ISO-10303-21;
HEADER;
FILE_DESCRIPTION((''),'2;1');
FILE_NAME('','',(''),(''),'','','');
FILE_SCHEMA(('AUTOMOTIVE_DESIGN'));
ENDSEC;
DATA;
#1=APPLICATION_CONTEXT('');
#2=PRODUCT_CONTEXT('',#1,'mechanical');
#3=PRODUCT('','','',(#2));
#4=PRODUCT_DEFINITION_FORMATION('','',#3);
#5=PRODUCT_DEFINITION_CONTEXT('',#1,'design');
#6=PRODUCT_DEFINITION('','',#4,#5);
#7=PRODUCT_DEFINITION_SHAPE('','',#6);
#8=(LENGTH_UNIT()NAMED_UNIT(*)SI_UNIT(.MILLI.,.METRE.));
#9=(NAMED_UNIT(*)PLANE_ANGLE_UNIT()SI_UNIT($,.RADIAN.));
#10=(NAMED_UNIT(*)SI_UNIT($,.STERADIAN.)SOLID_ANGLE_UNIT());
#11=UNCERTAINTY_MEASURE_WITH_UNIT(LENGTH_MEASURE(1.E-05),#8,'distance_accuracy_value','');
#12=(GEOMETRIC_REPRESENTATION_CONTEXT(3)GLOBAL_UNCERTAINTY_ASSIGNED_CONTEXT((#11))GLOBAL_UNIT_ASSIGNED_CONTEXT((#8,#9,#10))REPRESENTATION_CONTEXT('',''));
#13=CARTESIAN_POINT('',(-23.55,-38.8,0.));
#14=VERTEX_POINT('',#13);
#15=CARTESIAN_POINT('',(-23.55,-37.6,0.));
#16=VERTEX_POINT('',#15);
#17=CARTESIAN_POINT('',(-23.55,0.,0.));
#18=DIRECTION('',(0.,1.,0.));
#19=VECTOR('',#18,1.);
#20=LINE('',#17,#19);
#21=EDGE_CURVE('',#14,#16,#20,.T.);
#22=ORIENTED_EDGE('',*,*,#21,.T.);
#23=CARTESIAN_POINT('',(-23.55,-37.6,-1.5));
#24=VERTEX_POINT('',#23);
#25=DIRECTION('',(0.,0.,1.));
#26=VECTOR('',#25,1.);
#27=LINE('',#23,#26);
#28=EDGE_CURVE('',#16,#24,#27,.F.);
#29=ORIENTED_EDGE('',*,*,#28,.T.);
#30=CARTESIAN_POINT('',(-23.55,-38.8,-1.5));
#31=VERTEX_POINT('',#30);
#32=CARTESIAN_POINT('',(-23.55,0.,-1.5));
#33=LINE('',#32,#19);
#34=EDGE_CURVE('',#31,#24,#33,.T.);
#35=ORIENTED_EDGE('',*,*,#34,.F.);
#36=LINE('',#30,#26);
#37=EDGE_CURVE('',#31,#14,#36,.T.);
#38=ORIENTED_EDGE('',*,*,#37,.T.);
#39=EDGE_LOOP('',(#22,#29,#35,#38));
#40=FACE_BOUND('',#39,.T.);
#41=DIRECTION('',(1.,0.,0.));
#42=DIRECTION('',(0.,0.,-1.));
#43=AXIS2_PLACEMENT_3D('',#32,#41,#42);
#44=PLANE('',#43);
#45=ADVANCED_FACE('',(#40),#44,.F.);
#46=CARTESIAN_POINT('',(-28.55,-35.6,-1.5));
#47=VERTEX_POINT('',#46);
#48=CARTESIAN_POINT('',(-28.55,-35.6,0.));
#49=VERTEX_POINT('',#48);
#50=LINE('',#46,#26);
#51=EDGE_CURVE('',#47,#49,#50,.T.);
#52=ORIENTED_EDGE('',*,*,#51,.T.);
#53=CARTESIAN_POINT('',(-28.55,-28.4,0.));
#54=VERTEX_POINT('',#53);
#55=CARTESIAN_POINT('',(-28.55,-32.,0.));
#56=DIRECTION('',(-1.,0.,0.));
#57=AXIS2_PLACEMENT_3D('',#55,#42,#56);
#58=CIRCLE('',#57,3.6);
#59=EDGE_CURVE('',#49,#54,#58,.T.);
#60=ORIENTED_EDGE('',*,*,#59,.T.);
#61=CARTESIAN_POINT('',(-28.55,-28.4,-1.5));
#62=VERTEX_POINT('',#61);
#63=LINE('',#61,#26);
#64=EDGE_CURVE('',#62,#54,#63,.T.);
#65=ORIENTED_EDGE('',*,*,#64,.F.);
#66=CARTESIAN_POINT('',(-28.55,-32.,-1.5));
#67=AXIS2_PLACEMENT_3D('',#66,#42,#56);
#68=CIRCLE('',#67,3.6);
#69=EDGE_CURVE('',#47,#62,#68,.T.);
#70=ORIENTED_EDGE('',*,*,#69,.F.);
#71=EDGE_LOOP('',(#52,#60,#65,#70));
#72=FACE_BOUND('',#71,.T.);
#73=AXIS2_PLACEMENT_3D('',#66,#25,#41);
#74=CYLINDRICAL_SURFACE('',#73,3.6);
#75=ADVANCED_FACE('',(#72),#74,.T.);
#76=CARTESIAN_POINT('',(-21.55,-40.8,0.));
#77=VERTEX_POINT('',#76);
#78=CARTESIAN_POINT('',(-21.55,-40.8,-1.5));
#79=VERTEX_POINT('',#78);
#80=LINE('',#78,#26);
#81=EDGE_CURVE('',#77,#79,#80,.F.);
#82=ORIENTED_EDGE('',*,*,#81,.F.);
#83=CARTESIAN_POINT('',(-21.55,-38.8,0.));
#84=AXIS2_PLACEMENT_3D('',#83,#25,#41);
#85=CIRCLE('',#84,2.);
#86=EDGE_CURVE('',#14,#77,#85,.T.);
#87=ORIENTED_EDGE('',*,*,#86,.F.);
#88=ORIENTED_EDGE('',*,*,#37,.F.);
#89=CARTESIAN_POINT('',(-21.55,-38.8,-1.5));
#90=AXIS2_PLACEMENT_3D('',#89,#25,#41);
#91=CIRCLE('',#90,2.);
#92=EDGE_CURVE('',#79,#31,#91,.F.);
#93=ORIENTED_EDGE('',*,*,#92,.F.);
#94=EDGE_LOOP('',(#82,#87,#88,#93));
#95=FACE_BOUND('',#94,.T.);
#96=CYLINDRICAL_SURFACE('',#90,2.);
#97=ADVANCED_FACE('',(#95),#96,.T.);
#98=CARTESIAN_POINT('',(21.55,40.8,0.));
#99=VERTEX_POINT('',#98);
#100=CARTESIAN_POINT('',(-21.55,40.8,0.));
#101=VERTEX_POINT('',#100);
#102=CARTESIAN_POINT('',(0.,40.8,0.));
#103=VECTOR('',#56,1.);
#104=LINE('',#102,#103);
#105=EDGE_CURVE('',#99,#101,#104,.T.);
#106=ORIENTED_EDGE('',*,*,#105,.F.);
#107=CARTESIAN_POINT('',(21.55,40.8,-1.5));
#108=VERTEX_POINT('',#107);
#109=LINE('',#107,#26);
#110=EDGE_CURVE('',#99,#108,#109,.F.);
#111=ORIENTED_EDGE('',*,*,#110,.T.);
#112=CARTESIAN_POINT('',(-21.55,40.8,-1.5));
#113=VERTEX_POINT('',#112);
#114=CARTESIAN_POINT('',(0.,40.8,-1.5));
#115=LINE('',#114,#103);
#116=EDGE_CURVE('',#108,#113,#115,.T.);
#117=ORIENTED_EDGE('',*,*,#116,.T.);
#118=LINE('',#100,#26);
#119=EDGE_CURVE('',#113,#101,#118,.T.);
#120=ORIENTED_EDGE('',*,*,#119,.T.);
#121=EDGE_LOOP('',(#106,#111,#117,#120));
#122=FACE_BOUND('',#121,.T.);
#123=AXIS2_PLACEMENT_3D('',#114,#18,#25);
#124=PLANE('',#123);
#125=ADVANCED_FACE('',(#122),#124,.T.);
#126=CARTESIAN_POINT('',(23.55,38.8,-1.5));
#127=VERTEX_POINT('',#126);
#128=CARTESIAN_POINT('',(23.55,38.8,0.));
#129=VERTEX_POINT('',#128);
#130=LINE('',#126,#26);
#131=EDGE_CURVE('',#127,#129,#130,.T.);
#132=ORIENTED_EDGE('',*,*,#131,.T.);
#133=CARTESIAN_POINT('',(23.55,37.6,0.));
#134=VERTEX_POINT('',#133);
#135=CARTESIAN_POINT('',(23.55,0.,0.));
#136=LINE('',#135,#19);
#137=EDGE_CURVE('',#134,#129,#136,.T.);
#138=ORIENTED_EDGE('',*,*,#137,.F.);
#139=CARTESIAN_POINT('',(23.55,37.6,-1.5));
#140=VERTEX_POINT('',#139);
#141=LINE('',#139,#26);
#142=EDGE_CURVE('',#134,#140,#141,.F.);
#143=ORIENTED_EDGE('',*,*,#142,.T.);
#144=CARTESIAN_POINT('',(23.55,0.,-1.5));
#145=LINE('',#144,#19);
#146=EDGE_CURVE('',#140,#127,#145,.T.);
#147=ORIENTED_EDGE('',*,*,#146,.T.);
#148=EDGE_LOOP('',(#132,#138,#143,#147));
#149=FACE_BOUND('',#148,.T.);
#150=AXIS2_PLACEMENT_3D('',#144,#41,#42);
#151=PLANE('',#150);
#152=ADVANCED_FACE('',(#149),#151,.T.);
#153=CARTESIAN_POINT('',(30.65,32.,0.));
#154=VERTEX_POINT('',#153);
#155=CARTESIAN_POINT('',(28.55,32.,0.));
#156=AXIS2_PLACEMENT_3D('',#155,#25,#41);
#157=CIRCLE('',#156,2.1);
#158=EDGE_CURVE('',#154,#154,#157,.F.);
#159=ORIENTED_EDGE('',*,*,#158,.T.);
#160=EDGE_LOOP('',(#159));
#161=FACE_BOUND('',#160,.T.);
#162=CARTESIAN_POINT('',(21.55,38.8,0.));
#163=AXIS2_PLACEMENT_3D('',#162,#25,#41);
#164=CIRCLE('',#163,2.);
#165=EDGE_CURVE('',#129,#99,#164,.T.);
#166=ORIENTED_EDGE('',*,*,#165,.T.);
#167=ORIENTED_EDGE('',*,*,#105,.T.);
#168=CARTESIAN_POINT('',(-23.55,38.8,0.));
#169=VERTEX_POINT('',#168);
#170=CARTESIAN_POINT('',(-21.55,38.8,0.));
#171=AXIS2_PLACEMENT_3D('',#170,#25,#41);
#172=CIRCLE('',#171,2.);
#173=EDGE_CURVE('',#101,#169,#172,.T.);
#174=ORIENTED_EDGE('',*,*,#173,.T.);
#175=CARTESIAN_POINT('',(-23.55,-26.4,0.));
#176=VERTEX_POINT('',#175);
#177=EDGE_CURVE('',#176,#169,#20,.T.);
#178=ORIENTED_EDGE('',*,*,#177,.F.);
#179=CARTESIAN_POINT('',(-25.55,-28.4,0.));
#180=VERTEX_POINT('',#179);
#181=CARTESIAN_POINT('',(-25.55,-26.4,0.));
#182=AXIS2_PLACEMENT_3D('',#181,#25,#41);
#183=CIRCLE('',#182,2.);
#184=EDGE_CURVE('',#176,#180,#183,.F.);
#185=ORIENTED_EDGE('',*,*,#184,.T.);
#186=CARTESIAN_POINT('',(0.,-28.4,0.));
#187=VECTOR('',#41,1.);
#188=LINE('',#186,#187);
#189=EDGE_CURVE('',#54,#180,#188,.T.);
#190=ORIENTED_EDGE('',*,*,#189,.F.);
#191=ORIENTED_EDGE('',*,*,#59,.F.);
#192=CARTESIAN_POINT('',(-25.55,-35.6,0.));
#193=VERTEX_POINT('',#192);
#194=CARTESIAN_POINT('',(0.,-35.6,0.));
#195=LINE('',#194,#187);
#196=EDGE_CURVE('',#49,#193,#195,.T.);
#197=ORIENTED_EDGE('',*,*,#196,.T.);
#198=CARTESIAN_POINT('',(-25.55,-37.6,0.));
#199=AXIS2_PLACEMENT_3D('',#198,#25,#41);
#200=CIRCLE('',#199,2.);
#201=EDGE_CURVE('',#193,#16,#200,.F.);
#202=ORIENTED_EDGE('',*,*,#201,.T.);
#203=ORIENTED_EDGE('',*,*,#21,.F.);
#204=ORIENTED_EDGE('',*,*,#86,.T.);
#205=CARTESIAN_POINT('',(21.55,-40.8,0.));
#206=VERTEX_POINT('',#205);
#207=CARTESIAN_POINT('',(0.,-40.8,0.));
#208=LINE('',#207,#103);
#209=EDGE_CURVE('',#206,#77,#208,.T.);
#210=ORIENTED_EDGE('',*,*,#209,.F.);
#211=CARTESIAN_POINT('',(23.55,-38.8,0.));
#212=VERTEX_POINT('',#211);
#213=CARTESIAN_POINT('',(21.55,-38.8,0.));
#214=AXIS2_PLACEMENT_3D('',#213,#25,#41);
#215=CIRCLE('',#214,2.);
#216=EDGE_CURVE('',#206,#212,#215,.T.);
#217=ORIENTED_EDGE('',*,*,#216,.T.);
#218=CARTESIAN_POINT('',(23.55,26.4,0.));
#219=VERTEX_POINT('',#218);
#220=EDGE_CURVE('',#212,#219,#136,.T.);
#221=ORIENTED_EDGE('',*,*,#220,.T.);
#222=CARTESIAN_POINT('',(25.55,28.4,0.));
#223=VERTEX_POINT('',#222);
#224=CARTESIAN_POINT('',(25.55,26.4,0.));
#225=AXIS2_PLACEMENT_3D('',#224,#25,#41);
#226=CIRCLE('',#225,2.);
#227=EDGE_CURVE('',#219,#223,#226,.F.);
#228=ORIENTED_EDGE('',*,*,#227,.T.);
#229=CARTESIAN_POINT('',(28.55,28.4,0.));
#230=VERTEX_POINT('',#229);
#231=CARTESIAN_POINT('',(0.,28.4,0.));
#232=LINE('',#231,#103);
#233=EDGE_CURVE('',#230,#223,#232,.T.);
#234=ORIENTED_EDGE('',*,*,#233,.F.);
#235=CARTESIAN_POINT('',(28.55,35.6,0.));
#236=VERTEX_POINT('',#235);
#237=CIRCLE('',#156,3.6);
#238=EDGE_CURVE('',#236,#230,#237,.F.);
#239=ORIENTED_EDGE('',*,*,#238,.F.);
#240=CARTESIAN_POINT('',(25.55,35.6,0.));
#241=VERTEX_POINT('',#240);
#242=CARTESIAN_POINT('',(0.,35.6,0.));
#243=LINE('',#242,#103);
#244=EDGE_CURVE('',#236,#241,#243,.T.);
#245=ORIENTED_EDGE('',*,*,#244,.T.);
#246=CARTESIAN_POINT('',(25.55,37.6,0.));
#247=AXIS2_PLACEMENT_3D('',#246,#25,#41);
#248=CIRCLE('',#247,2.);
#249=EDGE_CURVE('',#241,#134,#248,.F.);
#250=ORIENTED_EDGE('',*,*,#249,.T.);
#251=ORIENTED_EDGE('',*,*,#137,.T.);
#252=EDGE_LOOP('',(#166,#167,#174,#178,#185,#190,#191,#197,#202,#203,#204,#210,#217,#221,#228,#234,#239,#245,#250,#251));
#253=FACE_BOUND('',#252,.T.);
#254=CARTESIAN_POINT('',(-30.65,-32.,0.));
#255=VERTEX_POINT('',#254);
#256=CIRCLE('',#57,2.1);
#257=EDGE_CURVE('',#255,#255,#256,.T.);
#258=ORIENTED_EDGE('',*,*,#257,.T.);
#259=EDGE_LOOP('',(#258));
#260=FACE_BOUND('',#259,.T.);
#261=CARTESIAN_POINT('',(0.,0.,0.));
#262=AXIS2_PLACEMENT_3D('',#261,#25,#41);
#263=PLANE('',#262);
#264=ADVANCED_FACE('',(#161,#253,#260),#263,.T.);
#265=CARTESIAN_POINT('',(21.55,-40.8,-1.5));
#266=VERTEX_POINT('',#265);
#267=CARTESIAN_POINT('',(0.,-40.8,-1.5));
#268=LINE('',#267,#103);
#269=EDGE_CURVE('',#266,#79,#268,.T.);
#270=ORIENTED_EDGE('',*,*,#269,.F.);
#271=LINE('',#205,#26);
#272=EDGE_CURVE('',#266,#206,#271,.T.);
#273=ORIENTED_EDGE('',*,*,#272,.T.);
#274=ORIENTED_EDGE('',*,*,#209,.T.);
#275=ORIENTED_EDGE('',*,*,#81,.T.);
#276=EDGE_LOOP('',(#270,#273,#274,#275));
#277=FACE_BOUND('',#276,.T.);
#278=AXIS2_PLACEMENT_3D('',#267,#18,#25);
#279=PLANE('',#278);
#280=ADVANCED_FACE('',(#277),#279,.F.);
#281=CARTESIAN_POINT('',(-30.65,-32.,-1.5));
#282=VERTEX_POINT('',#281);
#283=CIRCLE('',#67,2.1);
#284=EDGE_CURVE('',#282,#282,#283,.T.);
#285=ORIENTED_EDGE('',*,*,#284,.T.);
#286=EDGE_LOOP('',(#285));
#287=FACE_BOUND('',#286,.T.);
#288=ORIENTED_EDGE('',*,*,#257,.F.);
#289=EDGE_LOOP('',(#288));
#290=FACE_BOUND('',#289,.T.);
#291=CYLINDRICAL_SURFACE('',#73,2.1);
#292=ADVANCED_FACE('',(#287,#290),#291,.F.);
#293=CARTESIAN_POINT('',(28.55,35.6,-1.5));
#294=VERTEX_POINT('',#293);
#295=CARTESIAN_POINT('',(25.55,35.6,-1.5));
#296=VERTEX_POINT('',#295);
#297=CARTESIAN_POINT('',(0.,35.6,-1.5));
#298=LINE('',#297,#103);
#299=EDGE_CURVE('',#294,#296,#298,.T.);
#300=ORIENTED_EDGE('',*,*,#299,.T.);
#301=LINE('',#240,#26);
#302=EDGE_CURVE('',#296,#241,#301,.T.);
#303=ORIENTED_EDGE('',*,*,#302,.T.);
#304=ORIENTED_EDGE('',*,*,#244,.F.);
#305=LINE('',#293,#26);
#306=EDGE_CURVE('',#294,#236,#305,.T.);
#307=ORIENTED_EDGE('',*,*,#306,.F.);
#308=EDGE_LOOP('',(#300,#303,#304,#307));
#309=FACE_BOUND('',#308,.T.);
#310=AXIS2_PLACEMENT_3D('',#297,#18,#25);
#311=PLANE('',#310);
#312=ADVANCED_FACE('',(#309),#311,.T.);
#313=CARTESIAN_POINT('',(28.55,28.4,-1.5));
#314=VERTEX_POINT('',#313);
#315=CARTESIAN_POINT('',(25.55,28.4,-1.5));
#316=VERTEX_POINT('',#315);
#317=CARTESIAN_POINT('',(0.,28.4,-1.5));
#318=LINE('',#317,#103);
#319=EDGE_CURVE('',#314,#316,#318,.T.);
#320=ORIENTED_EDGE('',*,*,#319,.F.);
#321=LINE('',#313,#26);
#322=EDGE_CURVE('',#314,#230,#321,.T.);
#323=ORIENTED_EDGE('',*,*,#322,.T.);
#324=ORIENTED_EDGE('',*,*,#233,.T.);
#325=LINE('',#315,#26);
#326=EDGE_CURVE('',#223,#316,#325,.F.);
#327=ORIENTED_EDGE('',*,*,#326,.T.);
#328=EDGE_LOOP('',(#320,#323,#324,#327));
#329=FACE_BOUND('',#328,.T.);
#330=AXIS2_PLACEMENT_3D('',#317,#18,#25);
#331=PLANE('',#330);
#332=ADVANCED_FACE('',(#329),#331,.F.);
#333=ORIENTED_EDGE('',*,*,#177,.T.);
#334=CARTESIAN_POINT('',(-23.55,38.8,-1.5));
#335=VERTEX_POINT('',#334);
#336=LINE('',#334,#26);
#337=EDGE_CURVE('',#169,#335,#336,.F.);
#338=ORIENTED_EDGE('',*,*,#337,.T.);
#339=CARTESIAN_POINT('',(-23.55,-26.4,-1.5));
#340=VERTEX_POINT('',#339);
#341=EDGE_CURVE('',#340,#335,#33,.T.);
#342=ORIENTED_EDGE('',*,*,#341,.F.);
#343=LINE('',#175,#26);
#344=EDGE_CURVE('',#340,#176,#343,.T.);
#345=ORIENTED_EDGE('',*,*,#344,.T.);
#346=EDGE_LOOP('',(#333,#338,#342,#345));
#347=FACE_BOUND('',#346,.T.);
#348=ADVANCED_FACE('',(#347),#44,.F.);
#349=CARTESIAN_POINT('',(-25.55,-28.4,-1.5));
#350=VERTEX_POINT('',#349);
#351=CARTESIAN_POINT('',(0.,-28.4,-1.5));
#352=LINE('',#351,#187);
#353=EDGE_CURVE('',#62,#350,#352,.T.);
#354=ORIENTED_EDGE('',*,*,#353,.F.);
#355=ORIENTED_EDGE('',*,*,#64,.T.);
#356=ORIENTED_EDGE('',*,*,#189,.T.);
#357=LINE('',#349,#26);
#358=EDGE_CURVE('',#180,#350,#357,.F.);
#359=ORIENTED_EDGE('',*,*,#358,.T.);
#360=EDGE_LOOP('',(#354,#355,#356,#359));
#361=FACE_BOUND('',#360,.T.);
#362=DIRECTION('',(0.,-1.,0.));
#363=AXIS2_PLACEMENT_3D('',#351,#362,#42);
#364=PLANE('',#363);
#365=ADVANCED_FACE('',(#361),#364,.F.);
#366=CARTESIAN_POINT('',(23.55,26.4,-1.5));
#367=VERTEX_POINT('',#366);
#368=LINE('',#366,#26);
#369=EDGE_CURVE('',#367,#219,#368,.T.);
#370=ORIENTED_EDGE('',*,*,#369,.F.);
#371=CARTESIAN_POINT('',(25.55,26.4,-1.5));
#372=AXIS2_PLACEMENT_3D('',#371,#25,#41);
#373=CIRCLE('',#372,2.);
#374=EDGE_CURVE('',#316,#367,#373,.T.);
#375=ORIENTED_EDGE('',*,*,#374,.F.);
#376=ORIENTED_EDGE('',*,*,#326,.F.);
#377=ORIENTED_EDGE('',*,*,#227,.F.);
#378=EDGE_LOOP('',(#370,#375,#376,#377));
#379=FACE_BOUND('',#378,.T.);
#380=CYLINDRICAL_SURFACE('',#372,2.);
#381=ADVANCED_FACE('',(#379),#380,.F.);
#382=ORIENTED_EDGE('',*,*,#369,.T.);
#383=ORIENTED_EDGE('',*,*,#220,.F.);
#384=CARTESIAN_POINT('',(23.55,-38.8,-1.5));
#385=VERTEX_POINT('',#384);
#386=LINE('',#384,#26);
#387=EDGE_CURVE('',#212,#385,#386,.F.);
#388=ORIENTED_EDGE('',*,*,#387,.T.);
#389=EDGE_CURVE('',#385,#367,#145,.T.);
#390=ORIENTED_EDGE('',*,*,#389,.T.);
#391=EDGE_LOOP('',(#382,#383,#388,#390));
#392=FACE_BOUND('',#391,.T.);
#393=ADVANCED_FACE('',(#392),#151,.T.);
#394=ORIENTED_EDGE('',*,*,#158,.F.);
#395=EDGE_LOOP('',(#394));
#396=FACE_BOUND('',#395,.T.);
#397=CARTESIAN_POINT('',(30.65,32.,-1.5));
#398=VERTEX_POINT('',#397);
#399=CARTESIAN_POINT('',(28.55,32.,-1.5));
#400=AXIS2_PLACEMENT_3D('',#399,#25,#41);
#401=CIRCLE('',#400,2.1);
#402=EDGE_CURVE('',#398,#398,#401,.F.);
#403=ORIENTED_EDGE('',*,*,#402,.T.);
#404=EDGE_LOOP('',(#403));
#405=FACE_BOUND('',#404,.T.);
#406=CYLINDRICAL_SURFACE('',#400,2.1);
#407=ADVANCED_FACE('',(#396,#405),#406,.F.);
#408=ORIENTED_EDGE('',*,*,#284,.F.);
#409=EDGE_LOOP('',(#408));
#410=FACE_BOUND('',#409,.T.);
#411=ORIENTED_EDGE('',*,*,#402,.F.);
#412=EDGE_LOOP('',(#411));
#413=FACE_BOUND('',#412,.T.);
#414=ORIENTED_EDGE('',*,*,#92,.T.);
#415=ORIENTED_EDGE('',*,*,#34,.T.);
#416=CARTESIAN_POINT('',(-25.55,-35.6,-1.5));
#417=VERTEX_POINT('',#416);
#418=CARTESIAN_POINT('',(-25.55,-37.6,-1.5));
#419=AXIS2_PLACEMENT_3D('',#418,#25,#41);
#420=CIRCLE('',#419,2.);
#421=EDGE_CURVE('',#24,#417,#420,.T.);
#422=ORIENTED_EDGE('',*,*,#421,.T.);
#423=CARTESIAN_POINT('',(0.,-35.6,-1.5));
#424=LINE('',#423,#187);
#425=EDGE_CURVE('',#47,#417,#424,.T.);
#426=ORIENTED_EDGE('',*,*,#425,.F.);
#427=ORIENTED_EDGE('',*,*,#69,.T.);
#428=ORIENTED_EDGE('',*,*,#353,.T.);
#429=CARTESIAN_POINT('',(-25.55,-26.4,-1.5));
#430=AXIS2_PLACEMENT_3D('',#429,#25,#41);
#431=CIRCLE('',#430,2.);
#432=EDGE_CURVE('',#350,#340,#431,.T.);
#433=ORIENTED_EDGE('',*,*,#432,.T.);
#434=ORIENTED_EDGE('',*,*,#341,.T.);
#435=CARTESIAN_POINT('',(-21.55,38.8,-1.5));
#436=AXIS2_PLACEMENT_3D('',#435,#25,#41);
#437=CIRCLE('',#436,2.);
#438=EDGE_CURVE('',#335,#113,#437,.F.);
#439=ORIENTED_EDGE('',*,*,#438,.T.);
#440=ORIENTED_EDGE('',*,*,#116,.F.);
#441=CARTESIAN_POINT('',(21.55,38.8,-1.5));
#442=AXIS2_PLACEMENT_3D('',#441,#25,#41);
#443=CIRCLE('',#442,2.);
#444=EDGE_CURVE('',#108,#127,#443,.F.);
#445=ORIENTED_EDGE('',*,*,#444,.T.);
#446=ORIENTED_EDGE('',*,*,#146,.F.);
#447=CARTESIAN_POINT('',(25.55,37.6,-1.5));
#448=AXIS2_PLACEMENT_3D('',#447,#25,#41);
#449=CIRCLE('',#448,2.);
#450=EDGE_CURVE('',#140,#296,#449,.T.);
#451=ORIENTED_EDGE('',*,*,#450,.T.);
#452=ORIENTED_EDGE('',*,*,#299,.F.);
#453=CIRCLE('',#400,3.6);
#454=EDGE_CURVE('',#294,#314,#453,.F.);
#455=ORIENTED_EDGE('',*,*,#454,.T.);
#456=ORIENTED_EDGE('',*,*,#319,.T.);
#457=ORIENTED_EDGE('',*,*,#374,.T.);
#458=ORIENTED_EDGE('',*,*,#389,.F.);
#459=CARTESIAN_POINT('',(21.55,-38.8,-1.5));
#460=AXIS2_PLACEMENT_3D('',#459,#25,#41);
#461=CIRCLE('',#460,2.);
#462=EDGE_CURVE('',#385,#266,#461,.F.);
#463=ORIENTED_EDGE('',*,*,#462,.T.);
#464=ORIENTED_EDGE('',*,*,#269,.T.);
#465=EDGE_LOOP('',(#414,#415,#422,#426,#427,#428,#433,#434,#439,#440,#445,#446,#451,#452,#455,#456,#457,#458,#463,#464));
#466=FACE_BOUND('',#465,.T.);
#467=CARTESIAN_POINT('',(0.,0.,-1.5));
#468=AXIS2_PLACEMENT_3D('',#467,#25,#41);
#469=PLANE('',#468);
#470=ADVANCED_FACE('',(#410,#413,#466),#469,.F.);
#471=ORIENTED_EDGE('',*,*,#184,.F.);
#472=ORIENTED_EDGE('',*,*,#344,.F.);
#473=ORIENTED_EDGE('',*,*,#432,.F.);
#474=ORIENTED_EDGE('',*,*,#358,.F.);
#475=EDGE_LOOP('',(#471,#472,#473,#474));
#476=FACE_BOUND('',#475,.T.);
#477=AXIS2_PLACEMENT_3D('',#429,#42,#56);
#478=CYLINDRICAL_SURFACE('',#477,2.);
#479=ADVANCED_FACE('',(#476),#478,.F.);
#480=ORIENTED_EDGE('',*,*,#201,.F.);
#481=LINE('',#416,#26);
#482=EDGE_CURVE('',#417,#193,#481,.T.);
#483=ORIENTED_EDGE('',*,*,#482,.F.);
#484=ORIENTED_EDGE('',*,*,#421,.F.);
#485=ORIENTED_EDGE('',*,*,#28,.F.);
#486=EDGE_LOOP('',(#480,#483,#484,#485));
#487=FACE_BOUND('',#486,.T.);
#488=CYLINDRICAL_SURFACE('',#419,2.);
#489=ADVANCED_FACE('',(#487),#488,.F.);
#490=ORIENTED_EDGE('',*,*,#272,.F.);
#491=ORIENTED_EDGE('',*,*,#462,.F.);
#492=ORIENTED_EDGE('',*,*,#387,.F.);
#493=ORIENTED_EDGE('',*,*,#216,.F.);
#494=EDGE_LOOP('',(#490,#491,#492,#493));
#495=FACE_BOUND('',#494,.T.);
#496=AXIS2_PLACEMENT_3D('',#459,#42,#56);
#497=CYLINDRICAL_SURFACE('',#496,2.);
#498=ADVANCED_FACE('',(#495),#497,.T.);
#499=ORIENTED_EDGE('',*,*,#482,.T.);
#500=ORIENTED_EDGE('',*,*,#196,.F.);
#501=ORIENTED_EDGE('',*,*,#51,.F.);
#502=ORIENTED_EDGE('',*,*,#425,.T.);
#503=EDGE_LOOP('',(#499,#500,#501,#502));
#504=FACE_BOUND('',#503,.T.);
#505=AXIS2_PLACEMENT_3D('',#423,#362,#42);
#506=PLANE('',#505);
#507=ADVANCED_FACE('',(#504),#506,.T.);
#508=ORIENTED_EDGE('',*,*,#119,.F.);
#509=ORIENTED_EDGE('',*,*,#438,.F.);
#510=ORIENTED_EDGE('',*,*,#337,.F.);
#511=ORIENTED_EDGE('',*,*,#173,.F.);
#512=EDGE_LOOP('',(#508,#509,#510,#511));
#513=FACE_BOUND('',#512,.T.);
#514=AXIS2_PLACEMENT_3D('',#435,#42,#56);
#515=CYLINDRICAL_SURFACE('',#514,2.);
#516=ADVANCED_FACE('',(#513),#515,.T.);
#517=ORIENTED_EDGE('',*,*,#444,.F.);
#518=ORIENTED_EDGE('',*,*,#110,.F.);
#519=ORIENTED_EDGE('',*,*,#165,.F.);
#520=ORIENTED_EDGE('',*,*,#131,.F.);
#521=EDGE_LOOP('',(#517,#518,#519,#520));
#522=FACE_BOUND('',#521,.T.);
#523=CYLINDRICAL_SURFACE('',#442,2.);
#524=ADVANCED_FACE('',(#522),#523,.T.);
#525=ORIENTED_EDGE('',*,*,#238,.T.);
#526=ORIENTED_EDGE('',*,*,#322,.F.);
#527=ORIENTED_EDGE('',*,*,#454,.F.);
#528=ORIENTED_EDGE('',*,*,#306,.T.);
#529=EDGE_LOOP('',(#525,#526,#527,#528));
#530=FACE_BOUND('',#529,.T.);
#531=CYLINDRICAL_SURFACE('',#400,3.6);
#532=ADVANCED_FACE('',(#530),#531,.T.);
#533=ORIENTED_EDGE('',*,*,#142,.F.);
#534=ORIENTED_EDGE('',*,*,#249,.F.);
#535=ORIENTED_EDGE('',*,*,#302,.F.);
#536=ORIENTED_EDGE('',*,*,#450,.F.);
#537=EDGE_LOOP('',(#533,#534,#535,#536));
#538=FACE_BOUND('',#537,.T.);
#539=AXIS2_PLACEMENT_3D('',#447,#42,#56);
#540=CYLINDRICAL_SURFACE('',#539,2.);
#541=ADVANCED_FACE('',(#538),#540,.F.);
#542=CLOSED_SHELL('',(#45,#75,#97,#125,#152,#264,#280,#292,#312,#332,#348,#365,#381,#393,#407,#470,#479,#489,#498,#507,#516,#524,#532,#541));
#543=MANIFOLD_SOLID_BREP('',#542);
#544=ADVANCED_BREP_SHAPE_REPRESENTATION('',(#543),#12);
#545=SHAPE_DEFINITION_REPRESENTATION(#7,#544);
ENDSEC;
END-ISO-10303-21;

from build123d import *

# Parameters (mm, degrees)
SKETCH1_R           = 2.1
BOSS_EXTRUDE1_DEPTH = 1.5
FILLET1_R           = 2


with BuildPart() as part:
    # Sketch1 → Boss-Extrude1 (new body)
    with BuildSketch(Plane(origin=(0, 0, 0), x_dir=(-1, 0, 0), z_dir=(0, 0, -1))):
        with BuildLine():
            Line((-23.55, 40.8), (-23.55, 35.6))
            Line((-23.55, 35.6), (-28.55, 35.6))
            ThreePointArc((-28.55, 35.6), (-32.15, 32), (-28.55, 28.4))
            Line((-28.55, 28.4), (-23.55, 28.4))
            Line((-23.55, 28.4), (-23.55, -40.8))
            Line((-23.55, -40.8), (23.55, -40.8))
            Line((23.55, -40.8), (23.55, -35.6))
            Line((23.55, -35.6), (28.55, -35.6))
            ThreePointArc((28.55, -35.6), (32.15, -32), (28.55, -28.4))
            Line((28.55, -28.4), (23.55, -28.4))
            Line((23.55, -28.4), (23.55, 40.8))
            Line((23.55, 40.8), (-23.55, 40.8))
        make_face()
        with Locations(Location((-28.55, 32, 0), (0, 0, 180))):
            Circle(SKETCH1_R, mode=Mode.SUBTRACT)
        with Locations((28.55, -32)):
            Circle(SKETCH1_R, mode=Mode.SUBTRACT)
    extrude(amount=BOSS_EXTRUDE1_DEPTH)

    # Fillet1
    fillet1_edges = [part.edges().sort_by_distance(p)[0] for p in [
        (23.55, 40.8, -0.75),
        (23.55, 35.6, -0.75),
        (23.55, 28.4, -0.75),
        (23.55, -40.8, -0.75),
        (-23.55, -40.8, -0.75),
        (-23.55, -35.6, -0.75),
        (-23.55, -28.4, -0.75),
        (-23.55, 40.8, -0.75),
    ]]
    fillet(fillet1_edges, radius=FILLET1_R)


solid = part.part
